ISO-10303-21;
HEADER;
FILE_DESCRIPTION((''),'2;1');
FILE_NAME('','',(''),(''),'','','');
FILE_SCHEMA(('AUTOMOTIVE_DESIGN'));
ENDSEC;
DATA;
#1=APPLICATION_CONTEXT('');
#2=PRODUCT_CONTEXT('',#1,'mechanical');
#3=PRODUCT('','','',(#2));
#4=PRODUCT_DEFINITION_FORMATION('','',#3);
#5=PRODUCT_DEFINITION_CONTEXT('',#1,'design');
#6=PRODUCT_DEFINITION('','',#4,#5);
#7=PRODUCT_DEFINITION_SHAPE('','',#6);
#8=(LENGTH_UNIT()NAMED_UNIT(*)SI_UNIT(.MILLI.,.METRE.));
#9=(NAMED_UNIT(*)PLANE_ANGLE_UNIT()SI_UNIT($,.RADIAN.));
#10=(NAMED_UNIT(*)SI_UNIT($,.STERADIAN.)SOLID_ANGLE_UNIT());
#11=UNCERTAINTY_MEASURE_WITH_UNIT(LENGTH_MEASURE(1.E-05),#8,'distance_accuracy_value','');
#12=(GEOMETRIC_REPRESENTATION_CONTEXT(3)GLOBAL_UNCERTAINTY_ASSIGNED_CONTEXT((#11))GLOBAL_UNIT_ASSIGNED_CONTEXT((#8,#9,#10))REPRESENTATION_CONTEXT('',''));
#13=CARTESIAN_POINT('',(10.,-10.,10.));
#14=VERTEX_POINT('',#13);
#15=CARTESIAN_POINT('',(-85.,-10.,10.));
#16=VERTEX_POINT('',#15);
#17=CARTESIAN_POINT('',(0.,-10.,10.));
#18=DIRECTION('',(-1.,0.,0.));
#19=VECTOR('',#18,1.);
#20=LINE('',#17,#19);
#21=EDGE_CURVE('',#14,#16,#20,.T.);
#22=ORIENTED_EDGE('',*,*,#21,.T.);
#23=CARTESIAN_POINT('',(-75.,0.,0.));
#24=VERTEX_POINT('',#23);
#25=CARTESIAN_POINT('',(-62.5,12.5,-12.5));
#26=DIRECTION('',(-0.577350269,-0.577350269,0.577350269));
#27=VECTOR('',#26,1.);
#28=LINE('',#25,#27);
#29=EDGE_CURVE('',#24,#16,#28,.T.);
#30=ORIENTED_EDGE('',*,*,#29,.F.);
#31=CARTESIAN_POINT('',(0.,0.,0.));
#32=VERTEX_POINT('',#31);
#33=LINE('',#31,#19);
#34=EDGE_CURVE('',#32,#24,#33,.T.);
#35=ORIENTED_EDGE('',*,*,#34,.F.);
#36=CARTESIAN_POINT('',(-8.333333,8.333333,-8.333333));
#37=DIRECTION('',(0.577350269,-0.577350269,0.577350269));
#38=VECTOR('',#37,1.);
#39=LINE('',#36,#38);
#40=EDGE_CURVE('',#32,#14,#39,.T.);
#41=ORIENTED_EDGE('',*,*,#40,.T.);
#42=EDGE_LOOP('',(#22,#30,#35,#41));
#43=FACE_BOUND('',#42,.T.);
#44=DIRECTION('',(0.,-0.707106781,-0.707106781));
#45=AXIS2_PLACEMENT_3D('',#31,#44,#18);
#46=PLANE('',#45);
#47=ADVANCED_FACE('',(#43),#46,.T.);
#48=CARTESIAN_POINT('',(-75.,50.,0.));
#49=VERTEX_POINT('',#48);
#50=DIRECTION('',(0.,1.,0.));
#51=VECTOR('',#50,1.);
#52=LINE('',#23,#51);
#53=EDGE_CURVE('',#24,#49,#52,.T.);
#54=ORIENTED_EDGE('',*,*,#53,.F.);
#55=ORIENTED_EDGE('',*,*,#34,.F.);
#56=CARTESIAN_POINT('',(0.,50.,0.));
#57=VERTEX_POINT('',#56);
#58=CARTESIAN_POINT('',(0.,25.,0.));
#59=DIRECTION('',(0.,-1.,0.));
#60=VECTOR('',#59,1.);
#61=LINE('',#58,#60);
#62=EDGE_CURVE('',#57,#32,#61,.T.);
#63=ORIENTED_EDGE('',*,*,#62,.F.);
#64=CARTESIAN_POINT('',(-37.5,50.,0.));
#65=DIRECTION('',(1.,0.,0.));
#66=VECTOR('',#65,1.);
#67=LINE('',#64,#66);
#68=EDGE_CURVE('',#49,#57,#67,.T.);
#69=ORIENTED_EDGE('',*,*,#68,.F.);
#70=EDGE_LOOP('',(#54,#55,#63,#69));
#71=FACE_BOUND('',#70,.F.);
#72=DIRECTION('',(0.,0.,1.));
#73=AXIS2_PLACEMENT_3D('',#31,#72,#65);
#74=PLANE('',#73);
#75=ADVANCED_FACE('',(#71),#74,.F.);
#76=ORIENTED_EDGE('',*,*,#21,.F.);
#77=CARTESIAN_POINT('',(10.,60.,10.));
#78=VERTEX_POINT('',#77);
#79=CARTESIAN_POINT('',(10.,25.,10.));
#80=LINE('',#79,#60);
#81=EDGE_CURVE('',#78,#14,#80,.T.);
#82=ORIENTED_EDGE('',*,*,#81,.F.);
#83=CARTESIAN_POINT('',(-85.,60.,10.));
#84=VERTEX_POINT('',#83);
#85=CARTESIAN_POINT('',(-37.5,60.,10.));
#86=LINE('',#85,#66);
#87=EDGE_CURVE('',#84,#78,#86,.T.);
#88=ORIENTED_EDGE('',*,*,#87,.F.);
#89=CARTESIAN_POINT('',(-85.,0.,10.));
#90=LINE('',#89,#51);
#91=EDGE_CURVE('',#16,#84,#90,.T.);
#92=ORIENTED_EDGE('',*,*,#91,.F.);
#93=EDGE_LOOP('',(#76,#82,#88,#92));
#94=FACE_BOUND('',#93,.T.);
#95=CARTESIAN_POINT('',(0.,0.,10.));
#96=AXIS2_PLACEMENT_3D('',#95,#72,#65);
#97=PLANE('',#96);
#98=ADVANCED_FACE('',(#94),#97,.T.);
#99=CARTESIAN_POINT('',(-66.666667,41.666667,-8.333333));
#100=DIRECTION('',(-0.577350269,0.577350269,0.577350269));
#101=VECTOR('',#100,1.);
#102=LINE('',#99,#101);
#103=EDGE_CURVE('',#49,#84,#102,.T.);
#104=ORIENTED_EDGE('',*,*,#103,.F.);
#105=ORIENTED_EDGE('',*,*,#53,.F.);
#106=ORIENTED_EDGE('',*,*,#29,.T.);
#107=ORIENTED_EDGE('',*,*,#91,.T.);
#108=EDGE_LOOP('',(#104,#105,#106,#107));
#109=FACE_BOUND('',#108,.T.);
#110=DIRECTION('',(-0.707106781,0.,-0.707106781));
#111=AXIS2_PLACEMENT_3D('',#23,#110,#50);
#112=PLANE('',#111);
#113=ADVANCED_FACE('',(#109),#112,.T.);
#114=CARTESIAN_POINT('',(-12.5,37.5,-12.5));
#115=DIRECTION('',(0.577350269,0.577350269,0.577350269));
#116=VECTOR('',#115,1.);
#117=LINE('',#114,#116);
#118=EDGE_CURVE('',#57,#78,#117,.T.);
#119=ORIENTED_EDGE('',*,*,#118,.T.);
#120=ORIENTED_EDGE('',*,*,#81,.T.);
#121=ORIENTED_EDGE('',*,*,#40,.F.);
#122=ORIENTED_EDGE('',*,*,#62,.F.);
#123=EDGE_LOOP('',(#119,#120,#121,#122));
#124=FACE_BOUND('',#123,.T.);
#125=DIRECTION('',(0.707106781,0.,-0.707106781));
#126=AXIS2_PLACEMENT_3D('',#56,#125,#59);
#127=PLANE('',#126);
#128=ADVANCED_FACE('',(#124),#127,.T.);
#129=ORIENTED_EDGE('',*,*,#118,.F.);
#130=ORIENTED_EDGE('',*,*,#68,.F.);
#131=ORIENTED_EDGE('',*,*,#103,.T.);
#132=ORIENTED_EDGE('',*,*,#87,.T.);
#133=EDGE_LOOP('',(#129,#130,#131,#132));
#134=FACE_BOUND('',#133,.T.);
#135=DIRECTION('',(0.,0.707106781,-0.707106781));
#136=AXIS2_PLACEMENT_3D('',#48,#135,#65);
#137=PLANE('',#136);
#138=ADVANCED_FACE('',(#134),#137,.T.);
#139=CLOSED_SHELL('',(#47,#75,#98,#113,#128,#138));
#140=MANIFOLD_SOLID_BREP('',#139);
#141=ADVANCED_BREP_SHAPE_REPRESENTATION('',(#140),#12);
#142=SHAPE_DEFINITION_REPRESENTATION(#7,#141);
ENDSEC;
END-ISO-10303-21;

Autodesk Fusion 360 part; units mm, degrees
sketch "Sketch1" plane through (0, 0, 0) normal (0, 0, 1) x (1, 0, 0)
  line L0 (0, 0) -> (-75, 0)
  line L1 (-75, 0) -> (-75, 50)
  line L2 (-75, 50) -> (0, 50)
  line L3 (0, 50) -> (0, 0)
extrude "Extrude1" add sketch "Sketch1" along normal blind 10 draft 45
